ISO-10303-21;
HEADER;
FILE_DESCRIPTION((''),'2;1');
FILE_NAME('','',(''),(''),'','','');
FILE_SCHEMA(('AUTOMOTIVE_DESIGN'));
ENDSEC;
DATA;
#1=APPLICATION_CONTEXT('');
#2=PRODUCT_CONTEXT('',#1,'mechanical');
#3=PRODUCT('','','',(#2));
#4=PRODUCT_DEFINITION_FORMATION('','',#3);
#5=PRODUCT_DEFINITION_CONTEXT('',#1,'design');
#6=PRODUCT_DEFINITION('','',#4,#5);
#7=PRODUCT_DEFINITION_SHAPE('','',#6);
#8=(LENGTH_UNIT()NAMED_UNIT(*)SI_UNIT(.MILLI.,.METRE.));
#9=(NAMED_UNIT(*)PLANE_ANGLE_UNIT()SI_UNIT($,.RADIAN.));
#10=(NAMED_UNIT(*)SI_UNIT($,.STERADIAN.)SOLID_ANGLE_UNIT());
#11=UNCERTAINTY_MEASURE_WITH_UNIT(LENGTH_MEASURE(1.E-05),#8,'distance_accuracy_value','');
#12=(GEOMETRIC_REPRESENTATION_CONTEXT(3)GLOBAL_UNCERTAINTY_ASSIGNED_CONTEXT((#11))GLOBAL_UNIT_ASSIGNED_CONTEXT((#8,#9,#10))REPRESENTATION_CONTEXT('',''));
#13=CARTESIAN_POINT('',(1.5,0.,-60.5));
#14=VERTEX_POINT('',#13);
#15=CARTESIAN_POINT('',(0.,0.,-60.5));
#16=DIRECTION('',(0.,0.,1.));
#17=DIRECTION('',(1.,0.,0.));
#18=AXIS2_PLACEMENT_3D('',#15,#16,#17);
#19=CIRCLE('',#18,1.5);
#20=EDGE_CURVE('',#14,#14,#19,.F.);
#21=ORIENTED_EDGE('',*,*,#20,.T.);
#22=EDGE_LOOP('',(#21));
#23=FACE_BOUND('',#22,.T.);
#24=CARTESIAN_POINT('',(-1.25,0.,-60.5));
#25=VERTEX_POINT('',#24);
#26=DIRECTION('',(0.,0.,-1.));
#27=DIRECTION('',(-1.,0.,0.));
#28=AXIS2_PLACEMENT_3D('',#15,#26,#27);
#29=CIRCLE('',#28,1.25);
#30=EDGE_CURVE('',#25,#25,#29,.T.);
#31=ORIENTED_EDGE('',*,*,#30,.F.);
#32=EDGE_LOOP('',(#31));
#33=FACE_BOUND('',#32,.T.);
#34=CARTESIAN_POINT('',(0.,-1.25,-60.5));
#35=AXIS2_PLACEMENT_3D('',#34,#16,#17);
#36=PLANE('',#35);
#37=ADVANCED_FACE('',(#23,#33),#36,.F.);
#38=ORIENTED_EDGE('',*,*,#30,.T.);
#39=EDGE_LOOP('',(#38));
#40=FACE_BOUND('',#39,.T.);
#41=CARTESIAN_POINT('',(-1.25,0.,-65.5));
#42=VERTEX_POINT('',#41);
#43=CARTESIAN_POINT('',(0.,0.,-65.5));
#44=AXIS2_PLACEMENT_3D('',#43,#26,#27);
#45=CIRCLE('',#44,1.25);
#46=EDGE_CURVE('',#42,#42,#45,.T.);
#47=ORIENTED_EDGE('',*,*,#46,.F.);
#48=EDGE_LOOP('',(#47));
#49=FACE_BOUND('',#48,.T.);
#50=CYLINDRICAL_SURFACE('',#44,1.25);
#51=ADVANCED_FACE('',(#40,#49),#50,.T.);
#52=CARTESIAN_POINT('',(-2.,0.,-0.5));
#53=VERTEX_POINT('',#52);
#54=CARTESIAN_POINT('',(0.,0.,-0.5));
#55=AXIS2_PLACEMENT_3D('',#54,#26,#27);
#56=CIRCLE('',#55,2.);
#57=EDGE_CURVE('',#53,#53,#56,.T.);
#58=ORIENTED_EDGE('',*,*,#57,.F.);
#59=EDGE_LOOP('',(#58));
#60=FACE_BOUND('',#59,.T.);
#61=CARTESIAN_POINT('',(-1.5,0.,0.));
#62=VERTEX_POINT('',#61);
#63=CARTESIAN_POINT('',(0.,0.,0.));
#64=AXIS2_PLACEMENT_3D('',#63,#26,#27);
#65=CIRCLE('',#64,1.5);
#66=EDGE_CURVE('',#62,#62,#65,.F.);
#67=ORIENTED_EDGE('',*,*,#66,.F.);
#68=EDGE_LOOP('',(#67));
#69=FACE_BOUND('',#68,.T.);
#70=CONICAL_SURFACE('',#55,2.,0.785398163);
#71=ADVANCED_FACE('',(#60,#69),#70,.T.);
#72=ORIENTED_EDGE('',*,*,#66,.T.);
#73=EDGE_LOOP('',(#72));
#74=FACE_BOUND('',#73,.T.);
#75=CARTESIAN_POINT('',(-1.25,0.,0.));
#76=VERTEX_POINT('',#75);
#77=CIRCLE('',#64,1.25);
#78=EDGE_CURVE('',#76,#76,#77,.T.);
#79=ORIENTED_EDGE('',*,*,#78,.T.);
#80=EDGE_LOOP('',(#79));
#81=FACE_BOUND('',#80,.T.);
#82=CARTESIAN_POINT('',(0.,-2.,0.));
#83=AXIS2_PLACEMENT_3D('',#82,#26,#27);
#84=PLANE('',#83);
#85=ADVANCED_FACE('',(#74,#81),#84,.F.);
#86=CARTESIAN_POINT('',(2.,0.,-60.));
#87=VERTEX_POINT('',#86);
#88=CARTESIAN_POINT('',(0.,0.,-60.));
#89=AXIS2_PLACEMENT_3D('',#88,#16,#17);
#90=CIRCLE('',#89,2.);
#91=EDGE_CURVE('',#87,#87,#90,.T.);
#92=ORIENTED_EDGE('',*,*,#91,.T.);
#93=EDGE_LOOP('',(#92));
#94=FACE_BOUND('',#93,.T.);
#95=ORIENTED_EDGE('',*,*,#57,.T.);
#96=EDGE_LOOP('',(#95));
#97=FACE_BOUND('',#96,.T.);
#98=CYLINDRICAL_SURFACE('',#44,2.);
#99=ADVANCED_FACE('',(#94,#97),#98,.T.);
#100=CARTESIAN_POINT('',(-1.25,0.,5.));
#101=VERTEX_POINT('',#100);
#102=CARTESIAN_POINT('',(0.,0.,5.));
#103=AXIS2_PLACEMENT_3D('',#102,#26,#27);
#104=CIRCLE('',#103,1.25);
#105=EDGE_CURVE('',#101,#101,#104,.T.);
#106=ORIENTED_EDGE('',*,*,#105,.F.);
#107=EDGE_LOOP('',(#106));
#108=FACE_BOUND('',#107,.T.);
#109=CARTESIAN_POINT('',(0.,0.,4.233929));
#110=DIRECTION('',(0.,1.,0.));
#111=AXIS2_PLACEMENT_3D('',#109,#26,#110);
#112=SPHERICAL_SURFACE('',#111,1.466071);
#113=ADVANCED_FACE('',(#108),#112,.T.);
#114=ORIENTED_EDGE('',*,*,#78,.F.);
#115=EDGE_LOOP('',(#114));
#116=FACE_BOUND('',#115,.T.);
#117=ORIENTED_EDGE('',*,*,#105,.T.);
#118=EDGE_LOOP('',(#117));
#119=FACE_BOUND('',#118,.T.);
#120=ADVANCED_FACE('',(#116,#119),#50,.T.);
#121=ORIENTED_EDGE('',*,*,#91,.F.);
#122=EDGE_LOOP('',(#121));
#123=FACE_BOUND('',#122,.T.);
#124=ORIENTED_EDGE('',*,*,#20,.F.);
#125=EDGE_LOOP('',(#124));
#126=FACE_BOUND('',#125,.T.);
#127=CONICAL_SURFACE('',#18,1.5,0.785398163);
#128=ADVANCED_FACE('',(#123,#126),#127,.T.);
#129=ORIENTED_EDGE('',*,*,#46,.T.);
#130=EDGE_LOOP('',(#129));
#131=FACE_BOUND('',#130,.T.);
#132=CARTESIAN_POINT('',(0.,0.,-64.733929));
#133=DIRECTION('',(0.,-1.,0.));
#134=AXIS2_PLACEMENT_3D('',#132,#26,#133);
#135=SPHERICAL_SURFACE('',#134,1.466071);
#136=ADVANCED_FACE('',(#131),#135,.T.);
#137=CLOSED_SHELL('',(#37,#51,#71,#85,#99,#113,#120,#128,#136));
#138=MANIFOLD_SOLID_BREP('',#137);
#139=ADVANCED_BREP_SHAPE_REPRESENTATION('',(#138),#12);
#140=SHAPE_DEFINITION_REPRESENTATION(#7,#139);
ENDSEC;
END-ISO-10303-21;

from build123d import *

# Parameters (mm, degrees)
CHAMFER1_SIZE = 0.5


with BuildPart() as part:
    # Sketch2 → Revolve1 (revolve)
    with BuildSketch(Plane(origin=(0, 0, 0), x_dir=(0, 0, -1), z_dir=(1, 0, 0))):
        with BuildLine():
            Line((65.5, 0), (-5, 0))
            Line((-5, 0), (-5.7, 0))
            ThreePointArc((-5.7, 0), (-5.513084713, -0.716327439), (-5, -1.25))
            Line((-5, -1.25), (0, -1.25))
            Line((0, -1.25), (0, -2))
            Line((0, -2), (60.5, -2))
            Line((60.5, -2), (60.5, -1.25))
            Line((60.5, -1.25), (65.5, -1.25))
            ThreePointArc((65.5, -1.25), (66.013084713, -0.716327439), (66.2, 0))
            Line((66.2, 0), (65.5, 0))
        make_face()
    revolve(axis=Axis((0, 0, -65.5), (0, 0, 1)))

    # Chamfer1
    chamfer1_edges = [part.edges().sort_by_distance(p)[0] for p in [
        (0, 2, -60.5),
        (0, 2, 0),
    ]]
    chamfer(chamfer1_edges, length=CHAMFER1_SIZE)


solid = part.part
